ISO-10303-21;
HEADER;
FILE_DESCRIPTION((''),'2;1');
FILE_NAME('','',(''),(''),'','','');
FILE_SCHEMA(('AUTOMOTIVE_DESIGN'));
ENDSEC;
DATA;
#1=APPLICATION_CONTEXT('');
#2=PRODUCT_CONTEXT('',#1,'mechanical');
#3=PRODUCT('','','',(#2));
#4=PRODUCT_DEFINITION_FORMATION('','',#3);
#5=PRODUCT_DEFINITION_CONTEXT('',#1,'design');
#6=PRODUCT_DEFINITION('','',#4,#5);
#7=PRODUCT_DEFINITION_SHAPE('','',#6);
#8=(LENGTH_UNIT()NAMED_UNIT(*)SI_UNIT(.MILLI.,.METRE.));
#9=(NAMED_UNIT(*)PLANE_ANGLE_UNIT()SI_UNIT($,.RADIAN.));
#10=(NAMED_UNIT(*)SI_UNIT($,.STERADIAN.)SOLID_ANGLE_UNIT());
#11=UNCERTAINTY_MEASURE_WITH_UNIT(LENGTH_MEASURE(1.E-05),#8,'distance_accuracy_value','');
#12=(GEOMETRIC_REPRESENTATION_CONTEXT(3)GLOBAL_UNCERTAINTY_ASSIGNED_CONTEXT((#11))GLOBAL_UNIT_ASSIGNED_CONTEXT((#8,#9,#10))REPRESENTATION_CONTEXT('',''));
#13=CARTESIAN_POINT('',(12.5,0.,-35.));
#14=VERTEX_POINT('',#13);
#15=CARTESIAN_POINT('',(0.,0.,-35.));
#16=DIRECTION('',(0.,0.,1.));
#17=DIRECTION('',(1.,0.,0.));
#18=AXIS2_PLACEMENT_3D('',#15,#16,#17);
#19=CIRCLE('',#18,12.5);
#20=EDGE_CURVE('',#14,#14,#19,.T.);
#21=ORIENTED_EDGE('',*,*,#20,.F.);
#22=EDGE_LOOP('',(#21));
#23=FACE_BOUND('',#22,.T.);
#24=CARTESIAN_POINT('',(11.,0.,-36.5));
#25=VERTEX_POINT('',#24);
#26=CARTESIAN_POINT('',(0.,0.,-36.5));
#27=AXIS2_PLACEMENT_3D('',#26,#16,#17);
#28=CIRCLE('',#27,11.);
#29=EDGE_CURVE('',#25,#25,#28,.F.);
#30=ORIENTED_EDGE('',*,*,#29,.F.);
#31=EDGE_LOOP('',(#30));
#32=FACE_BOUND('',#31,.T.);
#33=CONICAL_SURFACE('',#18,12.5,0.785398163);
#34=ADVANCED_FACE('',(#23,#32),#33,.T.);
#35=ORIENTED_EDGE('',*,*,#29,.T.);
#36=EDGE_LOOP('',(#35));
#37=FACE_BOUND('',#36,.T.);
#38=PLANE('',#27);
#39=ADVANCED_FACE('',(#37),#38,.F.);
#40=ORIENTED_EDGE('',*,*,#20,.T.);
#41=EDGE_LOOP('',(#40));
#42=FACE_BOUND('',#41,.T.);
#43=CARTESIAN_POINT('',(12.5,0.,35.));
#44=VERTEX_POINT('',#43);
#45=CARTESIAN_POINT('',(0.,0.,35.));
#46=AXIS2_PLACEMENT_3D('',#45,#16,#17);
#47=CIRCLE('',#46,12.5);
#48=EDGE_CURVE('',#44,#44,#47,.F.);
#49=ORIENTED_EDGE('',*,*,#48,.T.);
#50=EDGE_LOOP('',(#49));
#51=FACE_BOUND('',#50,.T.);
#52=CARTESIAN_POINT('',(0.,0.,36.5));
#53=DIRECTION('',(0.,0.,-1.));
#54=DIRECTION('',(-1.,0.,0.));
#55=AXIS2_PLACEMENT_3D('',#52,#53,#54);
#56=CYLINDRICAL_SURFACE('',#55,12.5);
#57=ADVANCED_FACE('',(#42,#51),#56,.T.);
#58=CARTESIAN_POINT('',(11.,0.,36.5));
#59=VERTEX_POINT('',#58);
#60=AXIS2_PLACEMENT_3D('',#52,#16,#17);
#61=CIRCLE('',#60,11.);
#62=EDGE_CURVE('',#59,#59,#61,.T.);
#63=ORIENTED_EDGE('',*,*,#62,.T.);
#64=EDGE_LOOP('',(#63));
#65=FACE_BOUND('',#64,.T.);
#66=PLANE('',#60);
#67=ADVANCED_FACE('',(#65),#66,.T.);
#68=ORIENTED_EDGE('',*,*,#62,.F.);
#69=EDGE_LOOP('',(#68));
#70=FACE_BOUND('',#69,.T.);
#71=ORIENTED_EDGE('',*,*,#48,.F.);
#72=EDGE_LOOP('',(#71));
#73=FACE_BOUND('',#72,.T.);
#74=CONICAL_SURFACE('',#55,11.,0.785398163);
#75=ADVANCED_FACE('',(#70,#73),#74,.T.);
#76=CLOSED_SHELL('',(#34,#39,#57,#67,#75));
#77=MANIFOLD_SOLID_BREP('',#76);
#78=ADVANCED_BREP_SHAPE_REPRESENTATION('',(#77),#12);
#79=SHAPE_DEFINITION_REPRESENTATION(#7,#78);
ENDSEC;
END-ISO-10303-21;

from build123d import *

# Parameters (mm, degrees)
SKIZZE1_R                    = 12.5
BASIS_LINEAR_AUSTRAGEN_DEPTH = 36.5
FASE1_SIZE                   = 1.5


with BuildPart() as part:
    # Skizze1 → Basis-Linear austragen (new, symmetric)
    with BuildSketch(Plane.XY):
        Circle(SKIZZE1_R)
    extrude(amount=BASIS_LINEAR_AUSTRAGEN_DEPTH, both=True)

    # Fase1
    fase1_edges = [part.edges().sort_by_distance(p)[0] for p in [
        (-12.5, 0, -36.5),
        (-12.5, 0, 36.5),
    ]]
    chamfer(fase1_edges, length=FASE1_SIZE)


solid = part.part
